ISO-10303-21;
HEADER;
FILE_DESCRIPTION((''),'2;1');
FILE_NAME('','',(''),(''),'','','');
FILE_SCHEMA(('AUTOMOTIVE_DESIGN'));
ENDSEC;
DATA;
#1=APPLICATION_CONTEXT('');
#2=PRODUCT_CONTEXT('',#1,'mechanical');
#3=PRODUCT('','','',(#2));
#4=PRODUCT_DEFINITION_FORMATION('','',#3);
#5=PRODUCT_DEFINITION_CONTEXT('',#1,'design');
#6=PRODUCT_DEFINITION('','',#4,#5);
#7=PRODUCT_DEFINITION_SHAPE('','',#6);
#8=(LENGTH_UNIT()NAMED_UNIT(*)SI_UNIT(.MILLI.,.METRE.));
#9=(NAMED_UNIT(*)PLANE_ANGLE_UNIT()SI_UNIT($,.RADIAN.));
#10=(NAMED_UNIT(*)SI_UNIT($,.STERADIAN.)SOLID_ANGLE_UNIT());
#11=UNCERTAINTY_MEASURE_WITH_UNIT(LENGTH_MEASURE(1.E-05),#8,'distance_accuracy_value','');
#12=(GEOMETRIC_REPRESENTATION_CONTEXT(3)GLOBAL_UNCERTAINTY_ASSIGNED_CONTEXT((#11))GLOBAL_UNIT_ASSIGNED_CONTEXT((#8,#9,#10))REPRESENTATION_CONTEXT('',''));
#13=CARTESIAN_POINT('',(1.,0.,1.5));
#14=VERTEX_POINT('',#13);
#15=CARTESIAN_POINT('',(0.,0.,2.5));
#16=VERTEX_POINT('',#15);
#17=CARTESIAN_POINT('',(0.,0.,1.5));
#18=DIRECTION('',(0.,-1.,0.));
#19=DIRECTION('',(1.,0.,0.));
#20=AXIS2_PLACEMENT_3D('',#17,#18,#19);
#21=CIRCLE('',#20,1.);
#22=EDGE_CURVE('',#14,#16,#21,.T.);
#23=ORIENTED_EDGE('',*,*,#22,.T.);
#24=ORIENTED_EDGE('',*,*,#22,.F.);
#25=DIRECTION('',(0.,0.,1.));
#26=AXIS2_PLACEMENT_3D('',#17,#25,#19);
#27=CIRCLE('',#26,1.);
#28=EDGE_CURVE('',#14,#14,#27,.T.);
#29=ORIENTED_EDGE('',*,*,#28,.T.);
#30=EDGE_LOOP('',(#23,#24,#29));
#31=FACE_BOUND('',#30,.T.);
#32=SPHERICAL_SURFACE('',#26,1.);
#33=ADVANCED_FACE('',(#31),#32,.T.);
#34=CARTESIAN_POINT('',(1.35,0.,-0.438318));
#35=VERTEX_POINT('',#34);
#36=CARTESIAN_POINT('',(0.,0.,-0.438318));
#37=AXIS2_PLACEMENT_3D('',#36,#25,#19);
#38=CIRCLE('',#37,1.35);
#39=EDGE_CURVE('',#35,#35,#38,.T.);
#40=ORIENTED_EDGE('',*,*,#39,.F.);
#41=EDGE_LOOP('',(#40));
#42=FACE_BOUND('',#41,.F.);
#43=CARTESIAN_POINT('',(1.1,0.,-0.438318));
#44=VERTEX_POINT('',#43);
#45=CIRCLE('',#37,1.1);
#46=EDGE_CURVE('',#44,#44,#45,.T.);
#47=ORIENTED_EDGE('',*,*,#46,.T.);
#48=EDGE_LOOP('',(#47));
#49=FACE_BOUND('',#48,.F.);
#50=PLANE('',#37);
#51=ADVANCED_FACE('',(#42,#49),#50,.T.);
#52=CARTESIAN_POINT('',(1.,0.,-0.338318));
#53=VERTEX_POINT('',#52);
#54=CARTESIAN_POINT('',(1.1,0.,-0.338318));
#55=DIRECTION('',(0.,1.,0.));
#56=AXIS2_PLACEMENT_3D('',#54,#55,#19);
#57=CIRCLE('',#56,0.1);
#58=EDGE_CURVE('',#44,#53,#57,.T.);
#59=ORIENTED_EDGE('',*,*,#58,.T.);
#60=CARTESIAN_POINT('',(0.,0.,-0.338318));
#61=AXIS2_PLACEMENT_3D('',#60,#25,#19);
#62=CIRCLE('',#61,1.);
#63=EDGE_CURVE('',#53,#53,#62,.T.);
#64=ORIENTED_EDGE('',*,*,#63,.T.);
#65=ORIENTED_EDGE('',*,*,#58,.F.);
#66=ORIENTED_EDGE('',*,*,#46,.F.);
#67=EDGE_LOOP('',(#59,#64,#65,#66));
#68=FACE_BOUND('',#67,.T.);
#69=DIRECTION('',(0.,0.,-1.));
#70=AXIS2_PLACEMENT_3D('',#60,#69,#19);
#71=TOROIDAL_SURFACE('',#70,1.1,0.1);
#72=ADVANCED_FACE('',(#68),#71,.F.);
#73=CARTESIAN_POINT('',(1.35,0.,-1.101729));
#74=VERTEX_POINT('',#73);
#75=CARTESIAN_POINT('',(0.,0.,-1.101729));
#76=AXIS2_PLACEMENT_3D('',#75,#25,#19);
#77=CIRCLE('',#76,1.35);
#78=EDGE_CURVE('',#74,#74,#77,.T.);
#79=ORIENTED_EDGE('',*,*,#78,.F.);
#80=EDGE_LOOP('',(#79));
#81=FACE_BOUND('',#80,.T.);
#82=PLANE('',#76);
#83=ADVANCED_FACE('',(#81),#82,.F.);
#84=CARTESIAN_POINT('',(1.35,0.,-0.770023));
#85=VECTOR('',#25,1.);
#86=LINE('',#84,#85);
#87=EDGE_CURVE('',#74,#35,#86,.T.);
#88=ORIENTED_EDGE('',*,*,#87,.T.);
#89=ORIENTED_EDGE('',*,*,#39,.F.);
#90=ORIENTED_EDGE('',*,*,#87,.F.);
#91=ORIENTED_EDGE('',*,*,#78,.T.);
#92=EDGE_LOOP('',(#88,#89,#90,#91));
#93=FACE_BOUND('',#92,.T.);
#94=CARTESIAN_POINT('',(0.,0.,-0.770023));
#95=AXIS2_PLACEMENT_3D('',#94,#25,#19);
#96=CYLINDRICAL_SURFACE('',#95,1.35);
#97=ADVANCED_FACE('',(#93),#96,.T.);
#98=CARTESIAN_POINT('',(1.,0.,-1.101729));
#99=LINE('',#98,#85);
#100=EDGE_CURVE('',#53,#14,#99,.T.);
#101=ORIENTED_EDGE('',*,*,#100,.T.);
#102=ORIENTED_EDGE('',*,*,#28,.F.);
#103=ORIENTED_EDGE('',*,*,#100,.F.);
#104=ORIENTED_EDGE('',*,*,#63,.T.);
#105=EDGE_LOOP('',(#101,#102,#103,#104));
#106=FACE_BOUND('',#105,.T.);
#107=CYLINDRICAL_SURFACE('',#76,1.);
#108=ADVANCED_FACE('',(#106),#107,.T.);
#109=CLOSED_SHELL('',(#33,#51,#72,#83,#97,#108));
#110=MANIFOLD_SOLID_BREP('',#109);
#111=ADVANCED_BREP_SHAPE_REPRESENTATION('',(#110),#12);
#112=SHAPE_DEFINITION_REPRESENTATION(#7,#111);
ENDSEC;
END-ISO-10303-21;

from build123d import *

# Parameters (mm, degrees)
F0_W   = 1
F0_H   = 0.6634108722
F0_W_2 = 0.35
F2_R   = 0.1


with BuildPart() as f1:
    # F0 (on Front) → F1 (revolve)
    with BuildSketch(Plane.XZ):
        with Locations((0.5, -0.7700230926)):
            Rectangle(F0_W, F0_H)
        with BuildLine():
            ThreePointArc((0, 0.5), (0.7071067812, 0.7928932188), (1, 1.5))
            Line((1, 1.5), (0, 1.5))
            Line((0, 1.5), (0, 0.5))
        make_face()
        with BuildLine():
            Line((1, -0.4383176565), (1, 1.5))
            ThreePointArc((1, 1.5), (0.7071067812, 0.7928932188), (0, 0.5))
            Line((0, 0.5), (0, -0.4383176565))
            Line((0, -0.4383176565), (1, -0.4383176565))
        make_face()
        with BuildLine():
            Line((0, 1.5), (1, 1.5))
            ThreePointArc((1, 1.5), (0.7071067812, 2.2071067812), (0, 2.5))
            Line((0, 2.5), (0, 1.5))
        make_face()
        with Locations((1.175, -0.7700230926)):
            Rectangle(F0_W_2, F0_H)
    revolve(axis=Axis((0, 0, 0.8823785465), (0, 0, 1)))

    # F2
    f2_edges = [f1.edges().sort_by_distance(p)[0] for p in [
        (-1, 0, -0.438318),
    ]]
    fillet(f2_edges, radius=F2_R)


solid = f1.part
